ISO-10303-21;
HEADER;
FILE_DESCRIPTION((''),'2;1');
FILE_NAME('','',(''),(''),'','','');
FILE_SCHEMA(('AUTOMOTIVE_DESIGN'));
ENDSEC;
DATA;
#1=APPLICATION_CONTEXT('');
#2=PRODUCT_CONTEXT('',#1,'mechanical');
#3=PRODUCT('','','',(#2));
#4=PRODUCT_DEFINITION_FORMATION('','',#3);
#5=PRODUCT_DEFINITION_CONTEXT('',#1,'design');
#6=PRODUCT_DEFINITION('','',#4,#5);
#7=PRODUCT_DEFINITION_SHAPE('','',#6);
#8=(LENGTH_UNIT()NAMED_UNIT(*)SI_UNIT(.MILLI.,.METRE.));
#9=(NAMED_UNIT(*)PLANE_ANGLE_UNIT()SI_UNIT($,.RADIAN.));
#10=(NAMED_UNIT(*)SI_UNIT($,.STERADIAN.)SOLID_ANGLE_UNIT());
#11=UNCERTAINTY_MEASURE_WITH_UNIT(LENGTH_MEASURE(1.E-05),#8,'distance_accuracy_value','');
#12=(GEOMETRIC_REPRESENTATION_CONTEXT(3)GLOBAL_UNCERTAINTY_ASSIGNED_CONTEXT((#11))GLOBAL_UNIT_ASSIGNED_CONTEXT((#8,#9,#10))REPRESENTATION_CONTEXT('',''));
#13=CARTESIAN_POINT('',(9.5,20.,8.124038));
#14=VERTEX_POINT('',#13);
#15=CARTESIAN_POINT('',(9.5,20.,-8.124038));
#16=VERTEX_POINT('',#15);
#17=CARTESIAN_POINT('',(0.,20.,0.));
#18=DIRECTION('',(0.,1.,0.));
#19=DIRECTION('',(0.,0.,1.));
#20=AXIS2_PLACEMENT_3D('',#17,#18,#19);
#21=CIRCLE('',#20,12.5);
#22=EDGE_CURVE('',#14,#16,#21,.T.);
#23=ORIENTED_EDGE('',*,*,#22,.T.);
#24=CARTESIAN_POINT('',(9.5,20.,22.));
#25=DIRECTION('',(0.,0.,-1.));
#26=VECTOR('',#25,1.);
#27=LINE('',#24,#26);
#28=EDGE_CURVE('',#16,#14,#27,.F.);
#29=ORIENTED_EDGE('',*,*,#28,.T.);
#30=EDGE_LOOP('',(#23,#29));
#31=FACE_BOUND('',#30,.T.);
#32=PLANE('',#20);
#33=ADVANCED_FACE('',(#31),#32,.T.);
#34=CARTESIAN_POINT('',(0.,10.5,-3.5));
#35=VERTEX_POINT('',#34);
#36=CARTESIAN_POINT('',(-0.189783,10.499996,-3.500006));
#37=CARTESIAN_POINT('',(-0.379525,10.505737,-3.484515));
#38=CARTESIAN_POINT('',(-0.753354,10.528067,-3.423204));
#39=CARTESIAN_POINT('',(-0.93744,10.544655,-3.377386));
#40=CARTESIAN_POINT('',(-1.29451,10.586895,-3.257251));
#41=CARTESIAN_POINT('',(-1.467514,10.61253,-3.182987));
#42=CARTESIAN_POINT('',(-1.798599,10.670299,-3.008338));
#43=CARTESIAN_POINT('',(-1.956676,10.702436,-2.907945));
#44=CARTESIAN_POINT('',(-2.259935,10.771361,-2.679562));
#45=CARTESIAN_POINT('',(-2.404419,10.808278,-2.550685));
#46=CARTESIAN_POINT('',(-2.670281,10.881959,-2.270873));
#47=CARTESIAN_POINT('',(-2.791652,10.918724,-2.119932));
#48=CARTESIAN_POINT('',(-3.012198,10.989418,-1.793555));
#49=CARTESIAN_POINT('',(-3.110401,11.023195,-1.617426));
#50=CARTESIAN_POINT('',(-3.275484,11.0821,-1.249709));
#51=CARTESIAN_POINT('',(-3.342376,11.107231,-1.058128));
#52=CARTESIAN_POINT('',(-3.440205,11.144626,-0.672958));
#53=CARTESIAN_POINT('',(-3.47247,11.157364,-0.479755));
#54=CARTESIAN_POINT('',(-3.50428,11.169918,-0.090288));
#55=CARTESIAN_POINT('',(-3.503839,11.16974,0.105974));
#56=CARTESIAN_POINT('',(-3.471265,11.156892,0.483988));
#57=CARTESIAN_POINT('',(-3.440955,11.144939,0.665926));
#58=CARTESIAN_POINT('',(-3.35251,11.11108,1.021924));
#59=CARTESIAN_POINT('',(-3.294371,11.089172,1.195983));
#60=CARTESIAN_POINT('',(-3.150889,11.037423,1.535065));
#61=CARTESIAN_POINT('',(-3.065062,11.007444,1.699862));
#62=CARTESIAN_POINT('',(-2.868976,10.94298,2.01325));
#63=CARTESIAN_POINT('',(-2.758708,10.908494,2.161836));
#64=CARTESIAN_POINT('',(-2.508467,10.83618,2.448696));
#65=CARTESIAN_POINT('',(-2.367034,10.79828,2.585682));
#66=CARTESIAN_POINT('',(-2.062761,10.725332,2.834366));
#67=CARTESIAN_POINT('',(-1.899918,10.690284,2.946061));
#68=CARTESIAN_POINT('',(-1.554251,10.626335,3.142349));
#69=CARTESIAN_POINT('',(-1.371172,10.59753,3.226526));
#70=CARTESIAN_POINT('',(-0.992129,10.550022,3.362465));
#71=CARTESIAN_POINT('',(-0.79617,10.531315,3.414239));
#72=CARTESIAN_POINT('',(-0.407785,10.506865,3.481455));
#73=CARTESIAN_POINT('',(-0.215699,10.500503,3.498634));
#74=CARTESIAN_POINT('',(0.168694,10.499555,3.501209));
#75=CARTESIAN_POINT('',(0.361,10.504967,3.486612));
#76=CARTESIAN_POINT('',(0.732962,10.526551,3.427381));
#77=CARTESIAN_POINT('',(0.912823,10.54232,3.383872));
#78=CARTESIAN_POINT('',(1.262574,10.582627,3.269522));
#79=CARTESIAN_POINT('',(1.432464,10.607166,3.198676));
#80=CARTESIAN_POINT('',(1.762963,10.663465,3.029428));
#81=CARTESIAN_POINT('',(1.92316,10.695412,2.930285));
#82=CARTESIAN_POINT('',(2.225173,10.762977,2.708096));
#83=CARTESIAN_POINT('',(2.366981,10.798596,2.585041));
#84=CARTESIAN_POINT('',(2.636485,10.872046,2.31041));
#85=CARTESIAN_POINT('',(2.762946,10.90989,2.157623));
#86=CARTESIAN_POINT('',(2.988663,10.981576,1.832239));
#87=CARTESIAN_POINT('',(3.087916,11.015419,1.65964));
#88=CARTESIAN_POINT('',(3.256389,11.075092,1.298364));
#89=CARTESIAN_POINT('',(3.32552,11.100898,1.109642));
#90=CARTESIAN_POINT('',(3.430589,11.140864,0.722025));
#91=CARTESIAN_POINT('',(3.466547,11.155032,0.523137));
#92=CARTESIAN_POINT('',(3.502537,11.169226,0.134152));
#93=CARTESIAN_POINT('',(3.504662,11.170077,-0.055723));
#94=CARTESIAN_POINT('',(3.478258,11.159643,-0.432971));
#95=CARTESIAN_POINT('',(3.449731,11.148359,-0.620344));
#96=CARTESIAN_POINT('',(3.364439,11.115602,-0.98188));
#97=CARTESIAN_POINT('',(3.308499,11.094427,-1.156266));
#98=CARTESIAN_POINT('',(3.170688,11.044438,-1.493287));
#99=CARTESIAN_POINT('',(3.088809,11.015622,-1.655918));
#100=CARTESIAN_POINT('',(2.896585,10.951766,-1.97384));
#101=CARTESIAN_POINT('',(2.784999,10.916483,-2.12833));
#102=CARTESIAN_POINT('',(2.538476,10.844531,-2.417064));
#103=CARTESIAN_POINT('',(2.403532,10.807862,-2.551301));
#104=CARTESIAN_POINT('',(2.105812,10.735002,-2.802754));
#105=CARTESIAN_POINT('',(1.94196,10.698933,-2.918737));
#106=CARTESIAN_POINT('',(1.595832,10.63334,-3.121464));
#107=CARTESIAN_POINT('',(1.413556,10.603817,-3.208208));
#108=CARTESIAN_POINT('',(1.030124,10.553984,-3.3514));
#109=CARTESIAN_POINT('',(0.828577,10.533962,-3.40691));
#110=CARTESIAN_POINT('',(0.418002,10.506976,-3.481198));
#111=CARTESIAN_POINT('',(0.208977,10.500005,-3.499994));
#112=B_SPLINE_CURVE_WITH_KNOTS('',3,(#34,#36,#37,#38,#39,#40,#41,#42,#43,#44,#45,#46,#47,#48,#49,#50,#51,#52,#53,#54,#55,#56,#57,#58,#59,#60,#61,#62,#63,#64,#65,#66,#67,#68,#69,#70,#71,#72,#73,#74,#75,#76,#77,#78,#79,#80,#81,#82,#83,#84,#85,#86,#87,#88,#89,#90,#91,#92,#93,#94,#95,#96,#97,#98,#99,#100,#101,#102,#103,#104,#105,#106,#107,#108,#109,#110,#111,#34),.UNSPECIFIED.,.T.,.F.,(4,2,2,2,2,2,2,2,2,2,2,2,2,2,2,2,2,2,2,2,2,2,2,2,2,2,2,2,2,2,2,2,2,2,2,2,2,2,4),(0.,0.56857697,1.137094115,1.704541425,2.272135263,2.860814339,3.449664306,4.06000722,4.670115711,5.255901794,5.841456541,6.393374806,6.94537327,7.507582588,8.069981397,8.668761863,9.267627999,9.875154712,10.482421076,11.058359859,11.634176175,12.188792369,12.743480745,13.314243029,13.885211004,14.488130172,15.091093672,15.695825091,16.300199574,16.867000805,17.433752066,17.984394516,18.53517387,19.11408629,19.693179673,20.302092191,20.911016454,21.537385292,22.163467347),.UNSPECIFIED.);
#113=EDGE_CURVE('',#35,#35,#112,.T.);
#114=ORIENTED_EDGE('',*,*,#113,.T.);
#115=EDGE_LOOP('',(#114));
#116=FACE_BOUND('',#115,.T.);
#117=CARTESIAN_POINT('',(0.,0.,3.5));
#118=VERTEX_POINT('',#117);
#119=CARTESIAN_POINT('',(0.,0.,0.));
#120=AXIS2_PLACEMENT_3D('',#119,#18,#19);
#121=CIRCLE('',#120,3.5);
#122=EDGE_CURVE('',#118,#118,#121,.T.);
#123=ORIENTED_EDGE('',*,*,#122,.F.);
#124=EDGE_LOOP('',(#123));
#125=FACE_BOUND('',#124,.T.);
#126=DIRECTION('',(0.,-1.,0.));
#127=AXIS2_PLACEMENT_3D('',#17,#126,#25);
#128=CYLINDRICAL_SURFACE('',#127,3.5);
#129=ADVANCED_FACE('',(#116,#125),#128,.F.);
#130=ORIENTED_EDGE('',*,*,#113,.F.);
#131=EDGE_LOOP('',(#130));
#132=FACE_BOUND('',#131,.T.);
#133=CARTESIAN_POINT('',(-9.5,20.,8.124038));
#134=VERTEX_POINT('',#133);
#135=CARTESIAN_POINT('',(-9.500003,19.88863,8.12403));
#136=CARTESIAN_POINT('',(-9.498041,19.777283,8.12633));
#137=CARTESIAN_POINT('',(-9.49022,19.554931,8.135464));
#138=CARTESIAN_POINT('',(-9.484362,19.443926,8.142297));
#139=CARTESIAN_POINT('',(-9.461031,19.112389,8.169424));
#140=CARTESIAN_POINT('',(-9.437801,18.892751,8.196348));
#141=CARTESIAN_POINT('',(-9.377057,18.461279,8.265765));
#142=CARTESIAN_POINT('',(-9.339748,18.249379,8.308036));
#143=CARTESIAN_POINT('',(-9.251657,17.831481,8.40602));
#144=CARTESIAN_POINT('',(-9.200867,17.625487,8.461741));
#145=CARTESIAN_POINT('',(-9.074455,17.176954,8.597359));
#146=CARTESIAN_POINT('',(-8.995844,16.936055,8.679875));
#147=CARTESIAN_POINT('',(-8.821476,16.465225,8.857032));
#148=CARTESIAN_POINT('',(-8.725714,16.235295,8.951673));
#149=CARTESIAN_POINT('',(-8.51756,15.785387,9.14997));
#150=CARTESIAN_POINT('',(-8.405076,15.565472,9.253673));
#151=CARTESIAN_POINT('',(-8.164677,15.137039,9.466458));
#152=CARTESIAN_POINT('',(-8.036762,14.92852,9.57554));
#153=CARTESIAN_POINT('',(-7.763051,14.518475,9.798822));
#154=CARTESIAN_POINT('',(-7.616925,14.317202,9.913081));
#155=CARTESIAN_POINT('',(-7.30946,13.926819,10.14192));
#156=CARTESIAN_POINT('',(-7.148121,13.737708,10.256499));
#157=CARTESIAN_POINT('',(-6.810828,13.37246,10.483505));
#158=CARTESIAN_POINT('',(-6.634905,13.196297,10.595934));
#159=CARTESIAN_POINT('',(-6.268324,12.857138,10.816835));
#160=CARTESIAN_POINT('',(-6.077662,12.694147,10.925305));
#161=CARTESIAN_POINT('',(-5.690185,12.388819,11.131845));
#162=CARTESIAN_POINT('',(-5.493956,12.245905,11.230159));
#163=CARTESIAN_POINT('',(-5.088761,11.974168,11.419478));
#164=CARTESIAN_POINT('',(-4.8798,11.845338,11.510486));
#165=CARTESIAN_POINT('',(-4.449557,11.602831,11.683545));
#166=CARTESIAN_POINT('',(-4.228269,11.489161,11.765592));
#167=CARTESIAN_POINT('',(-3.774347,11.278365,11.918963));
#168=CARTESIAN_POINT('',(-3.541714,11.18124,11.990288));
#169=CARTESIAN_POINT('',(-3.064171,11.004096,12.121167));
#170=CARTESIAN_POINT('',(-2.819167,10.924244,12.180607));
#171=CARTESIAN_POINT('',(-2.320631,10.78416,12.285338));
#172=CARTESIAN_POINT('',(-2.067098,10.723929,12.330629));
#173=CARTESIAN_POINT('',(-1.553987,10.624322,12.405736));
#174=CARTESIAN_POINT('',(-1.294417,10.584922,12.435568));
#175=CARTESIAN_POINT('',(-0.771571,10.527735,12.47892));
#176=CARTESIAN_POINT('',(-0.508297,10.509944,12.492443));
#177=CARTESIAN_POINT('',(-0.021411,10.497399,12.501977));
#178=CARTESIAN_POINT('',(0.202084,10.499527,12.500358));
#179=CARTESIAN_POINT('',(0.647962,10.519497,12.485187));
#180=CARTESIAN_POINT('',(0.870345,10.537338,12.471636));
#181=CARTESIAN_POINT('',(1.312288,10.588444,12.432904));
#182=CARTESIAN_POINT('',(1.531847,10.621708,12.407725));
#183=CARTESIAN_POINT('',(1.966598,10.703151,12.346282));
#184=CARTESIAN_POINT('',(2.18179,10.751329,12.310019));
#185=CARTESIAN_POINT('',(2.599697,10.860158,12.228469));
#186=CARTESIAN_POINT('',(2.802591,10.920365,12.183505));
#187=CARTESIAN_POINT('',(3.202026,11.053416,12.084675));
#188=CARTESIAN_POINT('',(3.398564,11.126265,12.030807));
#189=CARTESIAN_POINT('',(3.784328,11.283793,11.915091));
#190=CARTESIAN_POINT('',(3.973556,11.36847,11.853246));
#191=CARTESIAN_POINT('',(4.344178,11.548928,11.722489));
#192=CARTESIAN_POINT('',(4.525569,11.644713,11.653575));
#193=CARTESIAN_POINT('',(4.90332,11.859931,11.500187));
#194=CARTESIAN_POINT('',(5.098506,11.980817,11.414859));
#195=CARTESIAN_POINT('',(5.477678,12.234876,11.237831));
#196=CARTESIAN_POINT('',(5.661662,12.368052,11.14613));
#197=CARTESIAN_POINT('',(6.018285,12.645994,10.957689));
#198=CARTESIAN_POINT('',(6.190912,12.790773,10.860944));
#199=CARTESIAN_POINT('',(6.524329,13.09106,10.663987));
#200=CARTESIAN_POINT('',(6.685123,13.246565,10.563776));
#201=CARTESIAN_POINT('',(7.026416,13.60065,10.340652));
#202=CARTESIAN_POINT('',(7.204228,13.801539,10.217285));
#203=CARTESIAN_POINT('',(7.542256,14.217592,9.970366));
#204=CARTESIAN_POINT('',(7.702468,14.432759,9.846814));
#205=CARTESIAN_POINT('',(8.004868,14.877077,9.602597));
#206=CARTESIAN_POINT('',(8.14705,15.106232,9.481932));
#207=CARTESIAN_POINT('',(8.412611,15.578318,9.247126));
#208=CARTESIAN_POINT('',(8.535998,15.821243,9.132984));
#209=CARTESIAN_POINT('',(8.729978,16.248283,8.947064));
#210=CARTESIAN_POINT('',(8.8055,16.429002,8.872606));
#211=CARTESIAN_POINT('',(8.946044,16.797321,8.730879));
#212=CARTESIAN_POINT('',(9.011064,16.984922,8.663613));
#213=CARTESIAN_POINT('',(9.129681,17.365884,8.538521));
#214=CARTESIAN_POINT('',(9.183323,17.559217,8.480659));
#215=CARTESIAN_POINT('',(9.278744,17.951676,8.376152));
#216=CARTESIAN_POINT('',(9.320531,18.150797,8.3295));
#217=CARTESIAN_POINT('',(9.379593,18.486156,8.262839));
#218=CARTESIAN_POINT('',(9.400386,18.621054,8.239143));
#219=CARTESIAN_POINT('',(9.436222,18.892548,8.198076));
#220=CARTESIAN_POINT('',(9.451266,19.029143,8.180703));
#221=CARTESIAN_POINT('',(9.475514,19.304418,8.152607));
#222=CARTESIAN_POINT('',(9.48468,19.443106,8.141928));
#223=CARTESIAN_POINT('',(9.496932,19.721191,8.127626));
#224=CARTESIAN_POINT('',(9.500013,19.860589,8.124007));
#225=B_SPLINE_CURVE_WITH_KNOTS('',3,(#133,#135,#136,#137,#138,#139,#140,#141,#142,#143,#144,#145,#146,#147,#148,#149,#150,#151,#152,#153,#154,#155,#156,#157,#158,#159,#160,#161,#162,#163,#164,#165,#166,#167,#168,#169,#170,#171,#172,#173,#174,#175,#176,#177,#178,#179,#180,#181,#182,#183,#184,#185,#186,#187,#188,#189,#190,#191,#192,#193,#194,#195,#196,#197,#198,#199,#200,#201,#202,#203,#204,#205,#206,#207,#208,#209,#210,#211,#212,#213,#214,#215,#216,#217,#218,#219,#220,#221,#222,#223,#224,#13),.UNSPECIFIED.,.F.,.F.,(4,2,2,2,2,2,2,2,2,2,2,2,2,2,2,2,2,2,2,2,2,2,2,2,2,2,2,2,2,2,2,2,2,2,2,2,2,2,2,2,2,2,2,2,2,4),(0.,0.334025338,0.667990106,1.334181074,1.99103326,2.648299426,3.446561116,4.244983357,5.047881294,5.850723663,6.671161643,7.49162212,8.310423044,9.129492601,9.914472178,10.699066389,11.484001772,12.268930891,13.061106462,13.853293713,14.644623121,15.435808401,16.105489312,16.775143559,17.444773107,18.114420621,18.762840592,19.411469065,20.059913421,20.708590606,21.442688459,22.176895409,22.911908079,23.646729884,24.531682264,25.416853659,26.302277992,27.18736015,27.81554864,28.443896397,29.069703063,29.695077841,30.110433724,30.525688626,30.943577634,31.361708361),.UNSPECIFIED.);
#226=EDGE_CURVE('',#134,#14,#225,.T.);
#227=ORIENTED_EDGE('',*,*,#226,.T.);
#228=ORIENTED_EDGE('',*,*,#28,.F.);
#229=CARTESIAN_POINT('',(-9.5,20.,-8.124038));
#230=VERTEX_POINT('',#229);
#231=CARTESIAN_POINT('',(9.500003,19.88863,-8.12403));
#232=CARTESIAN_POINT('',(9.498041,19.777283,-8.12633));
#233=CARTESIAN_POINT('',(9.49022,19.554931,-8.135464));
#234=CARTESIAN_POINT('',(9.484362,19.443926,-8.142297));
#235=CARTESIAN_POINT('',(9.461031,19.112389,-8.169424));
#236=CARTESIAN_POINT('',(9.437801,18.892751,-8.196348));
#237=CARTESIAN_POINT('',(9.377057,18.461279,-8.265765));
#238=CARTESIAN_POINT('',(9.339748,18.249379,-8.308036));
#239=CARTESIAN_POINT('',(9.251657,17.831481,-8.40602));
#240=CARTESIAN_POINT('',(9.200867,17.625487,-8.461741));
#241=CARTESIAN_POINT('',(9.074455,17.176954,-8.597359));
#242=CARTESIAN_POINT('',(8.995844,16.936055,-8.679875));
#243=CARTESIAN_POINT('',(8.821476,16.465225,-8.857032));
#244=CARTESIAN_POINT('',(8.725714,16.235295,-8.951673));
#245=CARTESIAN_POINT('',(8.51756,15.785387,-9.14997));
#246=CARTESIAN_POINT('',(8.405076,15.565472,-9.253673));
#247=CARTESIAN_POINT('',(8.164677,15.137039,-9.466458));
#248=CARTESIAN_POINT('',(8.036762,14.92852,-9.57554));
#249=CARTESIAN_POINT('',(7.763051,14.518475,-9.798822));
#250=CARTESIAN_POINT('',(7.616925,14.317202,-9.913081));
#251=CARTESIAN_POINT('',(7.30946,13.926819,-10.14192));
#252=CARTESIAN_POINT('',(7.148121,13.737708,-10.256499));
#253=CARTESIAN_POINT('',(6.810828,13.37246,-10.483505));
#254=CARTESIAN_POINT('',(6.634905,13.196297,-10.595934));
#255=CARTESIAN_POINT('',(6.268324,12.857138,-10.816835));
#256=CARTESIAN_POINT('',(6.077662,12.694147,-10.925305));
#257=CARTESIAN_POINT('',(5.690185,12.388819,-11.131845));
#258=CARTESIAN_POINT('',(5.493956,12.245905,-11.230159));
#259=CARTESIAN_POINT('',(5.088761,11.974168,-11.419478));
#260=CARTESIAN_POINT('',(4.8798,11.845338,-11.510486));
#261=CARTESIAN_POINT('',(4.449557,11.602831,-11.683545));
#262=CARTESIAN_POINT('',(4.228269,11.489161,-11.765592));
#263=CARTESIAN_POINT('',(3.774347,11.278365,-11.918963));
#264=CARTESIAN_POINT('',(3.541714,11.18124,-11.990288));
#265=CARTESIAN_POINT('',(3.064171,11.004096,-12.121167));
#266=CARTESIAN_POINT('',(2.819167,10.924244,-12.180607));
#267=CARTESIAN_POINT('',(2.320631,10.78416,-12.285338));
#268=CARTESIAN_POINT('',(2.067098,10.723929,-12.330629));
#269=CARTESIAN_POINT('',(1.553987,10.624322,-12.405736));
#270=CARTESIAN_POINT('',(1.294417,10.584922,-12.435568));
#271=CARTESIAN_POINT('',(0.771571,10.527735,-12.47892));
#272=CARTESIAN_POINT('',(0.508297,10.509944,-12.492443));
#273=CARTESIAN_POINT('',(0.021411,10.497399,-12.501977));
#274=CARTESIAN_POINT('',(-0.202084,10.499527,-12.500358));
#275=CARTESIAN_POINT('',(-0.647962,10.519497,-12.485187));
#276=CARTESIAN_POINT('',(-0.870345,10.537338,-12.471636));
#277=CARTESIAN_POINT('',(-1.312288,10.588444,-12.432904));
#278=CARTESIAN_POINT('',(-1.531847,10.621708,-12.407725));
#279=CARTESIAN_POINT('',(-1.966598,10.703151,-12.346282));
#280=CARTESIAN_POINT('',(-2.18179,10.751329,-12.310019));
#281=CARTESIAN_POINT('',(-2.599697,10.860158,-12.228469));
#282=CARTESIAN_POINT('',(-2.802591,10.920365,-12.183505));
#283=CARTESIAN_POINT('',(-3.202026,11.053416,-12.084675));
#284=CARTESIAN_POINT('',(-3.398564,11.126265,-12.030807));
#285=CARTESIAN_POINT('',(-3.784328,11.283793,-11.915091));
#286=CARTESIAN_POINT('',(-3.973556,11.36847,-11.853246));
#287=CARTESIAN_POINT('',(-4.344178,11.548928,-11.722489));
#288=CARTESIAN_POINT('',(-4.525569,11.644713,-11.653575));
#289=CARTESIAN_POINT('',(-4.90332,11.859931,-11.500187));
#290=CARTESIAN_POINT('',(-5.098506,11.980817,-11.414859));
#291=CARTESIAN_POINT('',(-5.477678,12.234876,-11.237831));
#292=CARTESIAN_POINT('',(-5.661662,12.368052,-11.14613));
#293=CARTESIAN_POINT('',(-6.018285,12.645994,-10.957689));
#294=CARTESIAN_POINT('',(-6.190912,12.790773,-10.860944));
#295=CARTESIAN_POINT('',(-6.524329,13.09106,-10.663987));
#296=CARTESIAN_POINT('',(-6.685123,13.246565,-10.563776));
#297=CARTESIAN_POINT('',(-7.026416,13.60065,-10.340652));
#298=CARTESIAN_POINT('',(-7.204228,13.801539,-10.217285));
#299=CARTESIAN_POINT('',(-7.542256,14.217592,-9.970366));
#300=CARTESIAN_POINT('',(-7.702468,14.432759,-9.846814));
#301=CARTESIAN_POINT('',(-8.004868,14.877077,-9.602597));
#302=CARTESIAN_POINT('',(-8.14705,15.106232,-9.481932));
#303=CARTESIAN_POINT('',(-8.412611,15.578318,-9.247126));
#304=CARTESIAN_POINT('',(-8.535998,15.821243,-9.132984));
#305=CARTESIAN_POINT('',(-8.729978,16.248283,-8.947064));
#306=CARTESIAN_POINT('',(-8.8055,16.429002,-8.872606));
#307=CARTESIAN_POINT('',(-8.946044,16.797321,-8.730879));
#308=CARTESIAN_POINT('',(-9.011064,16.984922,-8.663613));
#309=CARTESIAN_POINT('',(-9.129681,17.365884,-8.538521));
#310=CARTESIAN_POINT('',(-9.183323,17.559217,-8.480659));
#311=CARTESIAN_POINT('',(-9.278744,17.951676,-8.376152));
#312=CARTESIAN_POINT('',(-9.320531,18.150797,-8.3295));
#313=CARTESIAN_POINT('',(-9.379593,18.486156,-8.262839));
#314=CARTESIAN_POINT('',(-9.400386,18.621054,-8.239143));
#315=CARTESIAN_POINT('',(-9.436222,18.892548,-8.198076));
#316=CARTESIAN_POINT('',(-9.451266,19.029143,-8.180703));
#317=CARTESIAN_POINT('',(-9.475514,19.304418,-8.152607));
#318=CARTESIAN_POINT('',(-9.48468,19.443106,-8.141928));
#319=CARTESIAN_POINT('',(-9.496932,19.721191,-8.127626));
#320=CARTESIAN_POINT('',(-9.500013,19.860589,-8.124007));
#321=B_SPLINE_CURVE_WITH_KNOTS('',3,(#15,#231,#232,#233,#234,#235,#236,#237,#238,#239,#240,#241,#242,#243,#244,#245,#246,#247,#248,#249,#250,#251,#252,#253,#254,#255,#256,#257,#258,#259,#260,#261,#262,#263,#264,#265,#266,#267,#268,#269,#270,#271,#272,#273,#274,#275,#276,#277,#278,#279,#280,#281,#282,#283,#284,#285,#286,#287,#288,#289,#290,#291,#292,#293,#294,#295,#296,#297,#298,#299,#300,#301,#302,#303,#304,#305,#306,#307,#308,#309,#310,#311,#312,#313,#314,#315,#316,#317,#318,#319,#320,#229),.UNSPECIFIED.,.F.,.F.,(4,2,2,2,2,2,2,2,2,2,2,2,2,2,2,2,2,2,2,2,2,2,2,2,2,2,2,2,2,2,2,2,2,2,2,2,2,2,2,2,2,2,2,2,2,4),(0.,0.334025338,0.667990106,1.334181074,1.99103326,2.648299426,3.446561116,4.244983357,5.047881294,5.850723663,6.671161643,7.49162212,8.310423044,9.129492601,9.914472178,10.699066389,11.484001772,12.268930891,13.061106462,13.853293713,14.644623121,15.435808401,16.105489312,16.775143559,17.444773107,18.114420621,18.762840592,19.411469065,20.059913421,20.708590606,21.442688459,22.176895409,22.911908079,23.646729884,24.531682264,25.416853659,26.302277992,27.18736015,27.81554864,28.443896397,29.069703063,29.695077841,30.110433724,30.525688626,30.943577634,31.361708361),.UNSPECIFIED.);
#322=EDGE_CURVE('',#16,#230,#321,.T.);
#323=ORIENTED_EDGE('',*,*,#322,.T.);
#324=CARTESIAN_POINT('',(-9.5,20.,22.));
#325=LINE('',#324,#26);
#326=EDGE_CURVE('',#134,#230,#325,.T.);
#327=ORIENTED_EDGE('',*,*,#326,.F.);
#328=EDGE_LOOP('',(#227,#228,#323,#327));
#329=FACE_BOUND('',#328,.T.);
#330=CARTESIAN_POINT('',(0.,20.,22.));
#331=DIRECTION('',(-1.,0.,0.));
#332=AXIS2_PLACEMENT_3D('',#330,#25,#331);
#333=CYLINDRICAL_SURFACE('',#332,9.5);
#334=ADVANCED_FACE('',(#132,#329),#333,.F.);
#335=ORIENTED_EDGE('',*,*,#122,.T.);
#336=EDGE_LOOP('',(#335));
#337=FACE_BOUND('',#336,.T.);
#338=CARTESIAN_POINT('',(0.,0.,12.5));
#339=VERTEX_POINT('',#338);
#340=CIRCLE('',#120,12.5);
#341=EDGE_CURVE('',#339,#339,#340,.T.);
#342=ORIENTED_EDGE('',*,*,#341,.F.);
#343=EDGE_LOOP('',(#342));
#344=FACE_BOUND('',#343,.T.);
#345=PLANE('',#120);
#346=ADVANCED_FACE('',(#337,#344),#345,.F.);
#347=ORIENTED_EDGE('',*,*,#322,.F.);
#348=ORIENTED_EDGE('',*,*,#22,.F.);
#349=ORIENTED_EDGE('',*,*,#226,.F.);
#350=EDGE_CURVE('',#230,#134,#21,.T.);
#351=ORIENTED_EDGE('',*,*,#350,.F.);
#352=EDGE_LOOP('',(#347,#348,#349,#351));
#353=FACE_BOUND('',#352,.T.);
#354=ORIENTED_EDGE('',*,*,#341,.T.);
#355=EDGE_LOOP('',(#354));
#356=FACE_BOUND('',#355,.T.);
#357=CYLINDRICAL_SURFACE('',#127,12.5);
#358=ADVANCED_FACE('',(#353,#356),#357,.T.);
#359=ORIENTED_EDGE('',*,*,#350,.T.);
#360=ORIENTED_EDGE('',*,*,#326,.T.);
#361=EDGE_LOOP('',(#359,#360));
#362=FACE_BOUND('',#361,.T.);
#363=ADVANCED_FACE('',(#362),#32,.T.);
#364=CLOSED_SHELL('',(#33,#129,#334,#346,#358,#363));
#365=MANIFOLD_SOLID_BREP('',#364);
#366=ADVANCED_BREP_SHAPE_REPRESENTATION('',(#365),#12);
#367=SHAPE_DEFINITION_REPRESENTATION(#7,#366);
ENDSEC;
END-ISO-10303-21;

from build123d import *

# Parameters (mm, degrees)
SKETCH1_R               = 12.5
SKETCH1_R_2             = 3.5
BOSS_EXTRUDE1_DEPTH     = 20
CUT_EXTRUDE1_DEPTH      = 22
CUT_EXTRUDE1_DEPTH_BACK = 22
SKETCH2_R               = 9.5


with BuildPart() as part:
    # Sketch1 → Boss-Extrude1 (new body)
    with BuildSketch(Plane(origin=(0, 0, 0), x_dir=(1, 0, 0), z_dir=(0, 1, 0))):
        Circle(SKETCH1_R)
        Circle(SKETCH1_R_2, mode=Mode.SUBTRACT)
    extrude(amount=BOSS_EXTRUDE1_DEPTH)

    # Sketch2 → Cut-Extrude1 (cut, two sides: drawn at the far end of the back side and taken through both)
    with BuildSketch(Plane.XY.offset(-CUT_EXTRUDE1_DEPTH_BACK)):
        with Locations((0, 20)):
            Circle(SKETCH2_R)
    extrude(amount=CUT_EXTRUDE1_DEPTH + CUT_EXTRUDE1_DEPTH_BACK, mode=Mode.SUBTRACT)


solid = part.part
